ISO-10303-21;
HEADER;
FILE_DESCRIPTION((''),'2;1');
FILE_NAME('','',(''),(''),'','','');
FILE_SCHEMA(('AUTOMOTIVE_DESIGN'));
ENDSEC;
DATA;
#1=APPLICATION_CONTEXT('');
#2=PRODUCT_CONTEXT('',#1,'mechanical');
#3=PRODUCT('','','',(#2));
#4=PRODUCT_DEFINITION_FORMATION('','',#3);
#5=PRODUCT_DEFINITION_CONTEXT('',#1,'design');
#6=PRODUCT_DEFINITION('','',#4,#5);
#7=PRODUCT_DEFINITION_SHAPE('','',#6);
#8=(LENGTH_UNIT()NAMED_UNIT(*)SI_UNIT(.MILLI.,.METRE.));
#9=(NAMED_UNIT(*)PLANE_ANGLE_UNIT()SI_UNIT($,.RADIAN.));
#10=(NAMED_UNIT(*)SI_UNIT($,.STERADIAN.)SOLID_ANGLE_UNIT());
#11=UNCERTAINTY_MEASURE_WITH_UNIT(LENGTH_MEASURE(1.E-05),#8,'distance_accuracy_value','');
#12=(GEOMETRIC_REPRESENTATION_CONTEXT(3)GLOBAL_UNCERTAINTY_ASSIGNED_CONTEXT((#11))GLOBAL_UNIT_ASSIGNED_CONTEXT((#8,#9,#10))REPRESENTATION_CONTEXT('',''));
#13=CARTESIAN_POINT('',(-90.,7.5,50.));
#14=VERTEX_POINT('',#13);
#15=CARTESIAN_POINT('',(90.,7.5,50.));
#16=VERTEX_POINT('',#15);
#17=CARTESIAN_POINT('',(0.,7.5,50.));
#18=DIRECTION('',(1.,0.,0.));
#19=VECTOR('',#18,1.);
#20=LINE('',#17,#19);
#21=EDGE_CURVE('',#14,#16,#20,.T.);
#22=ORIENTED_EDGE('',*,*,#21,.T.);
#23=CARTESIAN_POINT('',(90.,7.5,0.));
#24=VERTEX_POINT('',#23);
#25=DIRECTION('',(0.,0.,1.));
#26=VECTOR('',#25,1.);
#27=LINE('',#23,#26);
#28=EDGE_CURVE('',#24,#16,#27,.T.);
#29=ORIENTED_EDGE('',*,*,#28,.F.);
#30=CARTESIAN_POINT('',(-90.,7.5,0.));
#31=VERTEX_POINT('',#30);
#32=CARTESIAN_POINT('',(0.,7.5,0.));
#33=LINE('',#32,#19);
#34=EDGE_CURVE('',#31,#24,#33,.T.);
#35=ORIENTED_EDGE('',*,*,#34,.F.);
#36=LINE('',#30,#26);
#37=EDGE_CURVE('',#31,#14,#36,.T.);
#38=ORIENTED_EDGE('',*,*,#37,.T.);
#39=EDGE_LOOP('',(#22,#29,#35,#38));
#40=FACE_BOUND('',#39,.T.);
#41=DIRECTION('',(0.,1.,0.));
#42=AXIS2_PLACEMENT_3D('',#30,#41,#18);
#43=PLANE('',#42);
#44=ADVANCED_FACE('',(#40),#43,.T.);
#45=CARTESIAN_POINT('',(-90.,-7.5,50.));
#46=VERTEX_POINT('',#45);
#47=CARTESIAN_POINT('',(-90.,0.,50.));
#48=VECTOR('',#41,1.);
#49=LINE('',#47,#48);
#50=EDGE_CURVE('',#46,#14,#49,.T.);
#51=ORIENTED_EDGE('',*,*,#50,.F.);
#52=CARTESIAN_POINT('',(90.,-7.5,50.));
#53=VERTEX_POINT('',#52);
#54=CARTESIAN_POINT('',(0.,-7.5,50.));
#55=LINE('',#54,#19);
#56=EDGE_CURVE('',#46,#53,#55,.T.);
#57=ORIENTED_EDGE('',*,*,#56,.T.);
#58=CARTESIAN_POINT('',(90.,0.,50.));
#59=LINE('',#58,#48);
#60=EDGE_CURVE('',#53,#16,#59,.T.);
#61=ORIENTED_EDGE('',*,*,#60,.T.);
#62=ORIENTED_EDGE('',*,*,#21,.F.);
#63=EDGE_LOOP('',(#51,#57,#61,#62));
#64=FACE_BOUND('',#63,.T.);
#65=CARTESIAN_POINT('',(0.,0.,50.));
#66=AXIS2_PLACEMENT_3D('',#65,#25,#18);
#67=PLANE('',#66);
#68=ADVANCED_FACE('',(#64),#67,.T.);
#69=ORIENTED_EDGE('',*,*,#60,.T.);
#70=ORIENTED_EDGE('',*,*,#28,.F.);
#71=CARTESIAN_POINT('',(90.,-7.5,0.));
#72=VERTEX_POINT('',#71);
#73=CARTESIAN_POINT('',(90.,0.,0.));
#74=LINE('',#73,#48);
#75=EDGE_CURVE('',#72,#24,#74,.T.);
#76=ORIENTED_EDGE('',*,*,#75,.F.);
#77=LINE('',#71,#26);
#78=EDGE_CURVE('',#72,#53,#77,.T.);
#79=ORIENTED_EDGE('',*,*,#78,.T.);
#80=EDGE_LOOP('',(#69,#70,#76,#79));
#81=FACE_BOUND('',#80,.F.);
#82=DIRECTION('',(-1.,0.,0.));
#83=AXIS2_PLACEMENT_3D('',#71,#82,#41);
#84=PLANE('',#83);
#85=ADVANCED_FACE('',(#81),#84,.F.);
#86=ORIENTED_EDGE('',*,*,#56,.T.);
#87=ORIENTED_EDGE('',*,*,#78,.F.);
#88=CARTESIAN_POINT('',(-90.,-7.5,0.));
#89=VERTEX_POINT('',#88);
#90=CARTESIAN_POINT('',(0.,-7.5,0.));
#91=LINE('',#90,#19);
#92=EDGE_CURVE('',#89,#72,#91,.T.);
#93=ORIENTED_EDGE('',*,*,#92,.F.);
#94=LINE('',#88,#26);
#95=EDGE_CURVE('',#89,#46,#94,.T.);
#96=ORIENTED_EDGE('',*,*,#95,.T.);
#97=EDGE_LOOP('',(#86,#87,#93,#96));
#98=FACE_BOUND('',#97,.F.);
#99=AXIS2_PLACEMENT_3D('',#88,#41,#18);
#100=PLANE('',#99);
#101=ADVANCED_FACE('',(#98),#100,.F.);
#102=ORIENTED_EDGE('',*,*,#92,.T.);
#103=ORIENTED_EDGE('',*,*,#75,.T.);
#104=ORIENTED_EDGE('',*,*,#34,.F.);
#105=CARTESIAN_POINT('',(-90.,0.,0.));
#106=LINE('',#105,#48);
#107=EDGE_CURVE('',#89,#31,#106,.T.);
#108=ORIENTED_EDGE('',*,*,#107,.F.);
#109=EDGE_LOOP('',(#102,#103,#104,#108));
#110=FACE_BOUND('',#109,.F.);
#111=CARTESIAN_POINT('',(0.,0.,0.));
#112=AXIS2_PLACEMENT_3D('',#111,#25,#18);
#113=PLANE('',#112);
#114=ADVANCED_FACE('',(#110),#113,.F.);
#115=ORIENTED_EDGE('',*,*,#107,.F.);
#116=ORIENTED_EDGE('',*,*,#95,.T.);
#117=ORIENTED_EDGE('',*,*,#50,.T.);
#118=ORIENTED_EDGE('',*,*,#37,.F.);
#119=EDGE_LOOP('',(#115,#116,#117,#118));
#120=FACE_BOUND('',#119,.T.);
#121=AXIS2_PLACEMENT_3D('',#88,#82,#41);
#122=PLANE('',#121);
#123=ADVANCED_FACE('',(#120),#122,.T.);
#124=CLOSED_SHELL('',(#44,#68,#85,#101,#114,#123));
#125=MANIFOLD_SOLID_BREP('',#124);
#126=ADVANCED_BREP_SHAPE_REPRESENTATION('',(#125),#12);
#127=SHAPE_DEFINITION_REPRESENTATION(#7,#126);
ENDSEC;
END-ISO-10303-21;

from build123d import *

# Parameters (mm, degrees)
SKETCH_W      = 180
SKETCH_H      = 15
EXTRUDE_DEPTH = 50


with BuildPart() as part:
    # Sketch → Extrude (new body)
    with BuildSketch(Plane.XY):
        Rectangle(SKETCH_W, SKETCH_H)
    extrude(amount=EXTRUDE_DEPTH)


solid = part.part
